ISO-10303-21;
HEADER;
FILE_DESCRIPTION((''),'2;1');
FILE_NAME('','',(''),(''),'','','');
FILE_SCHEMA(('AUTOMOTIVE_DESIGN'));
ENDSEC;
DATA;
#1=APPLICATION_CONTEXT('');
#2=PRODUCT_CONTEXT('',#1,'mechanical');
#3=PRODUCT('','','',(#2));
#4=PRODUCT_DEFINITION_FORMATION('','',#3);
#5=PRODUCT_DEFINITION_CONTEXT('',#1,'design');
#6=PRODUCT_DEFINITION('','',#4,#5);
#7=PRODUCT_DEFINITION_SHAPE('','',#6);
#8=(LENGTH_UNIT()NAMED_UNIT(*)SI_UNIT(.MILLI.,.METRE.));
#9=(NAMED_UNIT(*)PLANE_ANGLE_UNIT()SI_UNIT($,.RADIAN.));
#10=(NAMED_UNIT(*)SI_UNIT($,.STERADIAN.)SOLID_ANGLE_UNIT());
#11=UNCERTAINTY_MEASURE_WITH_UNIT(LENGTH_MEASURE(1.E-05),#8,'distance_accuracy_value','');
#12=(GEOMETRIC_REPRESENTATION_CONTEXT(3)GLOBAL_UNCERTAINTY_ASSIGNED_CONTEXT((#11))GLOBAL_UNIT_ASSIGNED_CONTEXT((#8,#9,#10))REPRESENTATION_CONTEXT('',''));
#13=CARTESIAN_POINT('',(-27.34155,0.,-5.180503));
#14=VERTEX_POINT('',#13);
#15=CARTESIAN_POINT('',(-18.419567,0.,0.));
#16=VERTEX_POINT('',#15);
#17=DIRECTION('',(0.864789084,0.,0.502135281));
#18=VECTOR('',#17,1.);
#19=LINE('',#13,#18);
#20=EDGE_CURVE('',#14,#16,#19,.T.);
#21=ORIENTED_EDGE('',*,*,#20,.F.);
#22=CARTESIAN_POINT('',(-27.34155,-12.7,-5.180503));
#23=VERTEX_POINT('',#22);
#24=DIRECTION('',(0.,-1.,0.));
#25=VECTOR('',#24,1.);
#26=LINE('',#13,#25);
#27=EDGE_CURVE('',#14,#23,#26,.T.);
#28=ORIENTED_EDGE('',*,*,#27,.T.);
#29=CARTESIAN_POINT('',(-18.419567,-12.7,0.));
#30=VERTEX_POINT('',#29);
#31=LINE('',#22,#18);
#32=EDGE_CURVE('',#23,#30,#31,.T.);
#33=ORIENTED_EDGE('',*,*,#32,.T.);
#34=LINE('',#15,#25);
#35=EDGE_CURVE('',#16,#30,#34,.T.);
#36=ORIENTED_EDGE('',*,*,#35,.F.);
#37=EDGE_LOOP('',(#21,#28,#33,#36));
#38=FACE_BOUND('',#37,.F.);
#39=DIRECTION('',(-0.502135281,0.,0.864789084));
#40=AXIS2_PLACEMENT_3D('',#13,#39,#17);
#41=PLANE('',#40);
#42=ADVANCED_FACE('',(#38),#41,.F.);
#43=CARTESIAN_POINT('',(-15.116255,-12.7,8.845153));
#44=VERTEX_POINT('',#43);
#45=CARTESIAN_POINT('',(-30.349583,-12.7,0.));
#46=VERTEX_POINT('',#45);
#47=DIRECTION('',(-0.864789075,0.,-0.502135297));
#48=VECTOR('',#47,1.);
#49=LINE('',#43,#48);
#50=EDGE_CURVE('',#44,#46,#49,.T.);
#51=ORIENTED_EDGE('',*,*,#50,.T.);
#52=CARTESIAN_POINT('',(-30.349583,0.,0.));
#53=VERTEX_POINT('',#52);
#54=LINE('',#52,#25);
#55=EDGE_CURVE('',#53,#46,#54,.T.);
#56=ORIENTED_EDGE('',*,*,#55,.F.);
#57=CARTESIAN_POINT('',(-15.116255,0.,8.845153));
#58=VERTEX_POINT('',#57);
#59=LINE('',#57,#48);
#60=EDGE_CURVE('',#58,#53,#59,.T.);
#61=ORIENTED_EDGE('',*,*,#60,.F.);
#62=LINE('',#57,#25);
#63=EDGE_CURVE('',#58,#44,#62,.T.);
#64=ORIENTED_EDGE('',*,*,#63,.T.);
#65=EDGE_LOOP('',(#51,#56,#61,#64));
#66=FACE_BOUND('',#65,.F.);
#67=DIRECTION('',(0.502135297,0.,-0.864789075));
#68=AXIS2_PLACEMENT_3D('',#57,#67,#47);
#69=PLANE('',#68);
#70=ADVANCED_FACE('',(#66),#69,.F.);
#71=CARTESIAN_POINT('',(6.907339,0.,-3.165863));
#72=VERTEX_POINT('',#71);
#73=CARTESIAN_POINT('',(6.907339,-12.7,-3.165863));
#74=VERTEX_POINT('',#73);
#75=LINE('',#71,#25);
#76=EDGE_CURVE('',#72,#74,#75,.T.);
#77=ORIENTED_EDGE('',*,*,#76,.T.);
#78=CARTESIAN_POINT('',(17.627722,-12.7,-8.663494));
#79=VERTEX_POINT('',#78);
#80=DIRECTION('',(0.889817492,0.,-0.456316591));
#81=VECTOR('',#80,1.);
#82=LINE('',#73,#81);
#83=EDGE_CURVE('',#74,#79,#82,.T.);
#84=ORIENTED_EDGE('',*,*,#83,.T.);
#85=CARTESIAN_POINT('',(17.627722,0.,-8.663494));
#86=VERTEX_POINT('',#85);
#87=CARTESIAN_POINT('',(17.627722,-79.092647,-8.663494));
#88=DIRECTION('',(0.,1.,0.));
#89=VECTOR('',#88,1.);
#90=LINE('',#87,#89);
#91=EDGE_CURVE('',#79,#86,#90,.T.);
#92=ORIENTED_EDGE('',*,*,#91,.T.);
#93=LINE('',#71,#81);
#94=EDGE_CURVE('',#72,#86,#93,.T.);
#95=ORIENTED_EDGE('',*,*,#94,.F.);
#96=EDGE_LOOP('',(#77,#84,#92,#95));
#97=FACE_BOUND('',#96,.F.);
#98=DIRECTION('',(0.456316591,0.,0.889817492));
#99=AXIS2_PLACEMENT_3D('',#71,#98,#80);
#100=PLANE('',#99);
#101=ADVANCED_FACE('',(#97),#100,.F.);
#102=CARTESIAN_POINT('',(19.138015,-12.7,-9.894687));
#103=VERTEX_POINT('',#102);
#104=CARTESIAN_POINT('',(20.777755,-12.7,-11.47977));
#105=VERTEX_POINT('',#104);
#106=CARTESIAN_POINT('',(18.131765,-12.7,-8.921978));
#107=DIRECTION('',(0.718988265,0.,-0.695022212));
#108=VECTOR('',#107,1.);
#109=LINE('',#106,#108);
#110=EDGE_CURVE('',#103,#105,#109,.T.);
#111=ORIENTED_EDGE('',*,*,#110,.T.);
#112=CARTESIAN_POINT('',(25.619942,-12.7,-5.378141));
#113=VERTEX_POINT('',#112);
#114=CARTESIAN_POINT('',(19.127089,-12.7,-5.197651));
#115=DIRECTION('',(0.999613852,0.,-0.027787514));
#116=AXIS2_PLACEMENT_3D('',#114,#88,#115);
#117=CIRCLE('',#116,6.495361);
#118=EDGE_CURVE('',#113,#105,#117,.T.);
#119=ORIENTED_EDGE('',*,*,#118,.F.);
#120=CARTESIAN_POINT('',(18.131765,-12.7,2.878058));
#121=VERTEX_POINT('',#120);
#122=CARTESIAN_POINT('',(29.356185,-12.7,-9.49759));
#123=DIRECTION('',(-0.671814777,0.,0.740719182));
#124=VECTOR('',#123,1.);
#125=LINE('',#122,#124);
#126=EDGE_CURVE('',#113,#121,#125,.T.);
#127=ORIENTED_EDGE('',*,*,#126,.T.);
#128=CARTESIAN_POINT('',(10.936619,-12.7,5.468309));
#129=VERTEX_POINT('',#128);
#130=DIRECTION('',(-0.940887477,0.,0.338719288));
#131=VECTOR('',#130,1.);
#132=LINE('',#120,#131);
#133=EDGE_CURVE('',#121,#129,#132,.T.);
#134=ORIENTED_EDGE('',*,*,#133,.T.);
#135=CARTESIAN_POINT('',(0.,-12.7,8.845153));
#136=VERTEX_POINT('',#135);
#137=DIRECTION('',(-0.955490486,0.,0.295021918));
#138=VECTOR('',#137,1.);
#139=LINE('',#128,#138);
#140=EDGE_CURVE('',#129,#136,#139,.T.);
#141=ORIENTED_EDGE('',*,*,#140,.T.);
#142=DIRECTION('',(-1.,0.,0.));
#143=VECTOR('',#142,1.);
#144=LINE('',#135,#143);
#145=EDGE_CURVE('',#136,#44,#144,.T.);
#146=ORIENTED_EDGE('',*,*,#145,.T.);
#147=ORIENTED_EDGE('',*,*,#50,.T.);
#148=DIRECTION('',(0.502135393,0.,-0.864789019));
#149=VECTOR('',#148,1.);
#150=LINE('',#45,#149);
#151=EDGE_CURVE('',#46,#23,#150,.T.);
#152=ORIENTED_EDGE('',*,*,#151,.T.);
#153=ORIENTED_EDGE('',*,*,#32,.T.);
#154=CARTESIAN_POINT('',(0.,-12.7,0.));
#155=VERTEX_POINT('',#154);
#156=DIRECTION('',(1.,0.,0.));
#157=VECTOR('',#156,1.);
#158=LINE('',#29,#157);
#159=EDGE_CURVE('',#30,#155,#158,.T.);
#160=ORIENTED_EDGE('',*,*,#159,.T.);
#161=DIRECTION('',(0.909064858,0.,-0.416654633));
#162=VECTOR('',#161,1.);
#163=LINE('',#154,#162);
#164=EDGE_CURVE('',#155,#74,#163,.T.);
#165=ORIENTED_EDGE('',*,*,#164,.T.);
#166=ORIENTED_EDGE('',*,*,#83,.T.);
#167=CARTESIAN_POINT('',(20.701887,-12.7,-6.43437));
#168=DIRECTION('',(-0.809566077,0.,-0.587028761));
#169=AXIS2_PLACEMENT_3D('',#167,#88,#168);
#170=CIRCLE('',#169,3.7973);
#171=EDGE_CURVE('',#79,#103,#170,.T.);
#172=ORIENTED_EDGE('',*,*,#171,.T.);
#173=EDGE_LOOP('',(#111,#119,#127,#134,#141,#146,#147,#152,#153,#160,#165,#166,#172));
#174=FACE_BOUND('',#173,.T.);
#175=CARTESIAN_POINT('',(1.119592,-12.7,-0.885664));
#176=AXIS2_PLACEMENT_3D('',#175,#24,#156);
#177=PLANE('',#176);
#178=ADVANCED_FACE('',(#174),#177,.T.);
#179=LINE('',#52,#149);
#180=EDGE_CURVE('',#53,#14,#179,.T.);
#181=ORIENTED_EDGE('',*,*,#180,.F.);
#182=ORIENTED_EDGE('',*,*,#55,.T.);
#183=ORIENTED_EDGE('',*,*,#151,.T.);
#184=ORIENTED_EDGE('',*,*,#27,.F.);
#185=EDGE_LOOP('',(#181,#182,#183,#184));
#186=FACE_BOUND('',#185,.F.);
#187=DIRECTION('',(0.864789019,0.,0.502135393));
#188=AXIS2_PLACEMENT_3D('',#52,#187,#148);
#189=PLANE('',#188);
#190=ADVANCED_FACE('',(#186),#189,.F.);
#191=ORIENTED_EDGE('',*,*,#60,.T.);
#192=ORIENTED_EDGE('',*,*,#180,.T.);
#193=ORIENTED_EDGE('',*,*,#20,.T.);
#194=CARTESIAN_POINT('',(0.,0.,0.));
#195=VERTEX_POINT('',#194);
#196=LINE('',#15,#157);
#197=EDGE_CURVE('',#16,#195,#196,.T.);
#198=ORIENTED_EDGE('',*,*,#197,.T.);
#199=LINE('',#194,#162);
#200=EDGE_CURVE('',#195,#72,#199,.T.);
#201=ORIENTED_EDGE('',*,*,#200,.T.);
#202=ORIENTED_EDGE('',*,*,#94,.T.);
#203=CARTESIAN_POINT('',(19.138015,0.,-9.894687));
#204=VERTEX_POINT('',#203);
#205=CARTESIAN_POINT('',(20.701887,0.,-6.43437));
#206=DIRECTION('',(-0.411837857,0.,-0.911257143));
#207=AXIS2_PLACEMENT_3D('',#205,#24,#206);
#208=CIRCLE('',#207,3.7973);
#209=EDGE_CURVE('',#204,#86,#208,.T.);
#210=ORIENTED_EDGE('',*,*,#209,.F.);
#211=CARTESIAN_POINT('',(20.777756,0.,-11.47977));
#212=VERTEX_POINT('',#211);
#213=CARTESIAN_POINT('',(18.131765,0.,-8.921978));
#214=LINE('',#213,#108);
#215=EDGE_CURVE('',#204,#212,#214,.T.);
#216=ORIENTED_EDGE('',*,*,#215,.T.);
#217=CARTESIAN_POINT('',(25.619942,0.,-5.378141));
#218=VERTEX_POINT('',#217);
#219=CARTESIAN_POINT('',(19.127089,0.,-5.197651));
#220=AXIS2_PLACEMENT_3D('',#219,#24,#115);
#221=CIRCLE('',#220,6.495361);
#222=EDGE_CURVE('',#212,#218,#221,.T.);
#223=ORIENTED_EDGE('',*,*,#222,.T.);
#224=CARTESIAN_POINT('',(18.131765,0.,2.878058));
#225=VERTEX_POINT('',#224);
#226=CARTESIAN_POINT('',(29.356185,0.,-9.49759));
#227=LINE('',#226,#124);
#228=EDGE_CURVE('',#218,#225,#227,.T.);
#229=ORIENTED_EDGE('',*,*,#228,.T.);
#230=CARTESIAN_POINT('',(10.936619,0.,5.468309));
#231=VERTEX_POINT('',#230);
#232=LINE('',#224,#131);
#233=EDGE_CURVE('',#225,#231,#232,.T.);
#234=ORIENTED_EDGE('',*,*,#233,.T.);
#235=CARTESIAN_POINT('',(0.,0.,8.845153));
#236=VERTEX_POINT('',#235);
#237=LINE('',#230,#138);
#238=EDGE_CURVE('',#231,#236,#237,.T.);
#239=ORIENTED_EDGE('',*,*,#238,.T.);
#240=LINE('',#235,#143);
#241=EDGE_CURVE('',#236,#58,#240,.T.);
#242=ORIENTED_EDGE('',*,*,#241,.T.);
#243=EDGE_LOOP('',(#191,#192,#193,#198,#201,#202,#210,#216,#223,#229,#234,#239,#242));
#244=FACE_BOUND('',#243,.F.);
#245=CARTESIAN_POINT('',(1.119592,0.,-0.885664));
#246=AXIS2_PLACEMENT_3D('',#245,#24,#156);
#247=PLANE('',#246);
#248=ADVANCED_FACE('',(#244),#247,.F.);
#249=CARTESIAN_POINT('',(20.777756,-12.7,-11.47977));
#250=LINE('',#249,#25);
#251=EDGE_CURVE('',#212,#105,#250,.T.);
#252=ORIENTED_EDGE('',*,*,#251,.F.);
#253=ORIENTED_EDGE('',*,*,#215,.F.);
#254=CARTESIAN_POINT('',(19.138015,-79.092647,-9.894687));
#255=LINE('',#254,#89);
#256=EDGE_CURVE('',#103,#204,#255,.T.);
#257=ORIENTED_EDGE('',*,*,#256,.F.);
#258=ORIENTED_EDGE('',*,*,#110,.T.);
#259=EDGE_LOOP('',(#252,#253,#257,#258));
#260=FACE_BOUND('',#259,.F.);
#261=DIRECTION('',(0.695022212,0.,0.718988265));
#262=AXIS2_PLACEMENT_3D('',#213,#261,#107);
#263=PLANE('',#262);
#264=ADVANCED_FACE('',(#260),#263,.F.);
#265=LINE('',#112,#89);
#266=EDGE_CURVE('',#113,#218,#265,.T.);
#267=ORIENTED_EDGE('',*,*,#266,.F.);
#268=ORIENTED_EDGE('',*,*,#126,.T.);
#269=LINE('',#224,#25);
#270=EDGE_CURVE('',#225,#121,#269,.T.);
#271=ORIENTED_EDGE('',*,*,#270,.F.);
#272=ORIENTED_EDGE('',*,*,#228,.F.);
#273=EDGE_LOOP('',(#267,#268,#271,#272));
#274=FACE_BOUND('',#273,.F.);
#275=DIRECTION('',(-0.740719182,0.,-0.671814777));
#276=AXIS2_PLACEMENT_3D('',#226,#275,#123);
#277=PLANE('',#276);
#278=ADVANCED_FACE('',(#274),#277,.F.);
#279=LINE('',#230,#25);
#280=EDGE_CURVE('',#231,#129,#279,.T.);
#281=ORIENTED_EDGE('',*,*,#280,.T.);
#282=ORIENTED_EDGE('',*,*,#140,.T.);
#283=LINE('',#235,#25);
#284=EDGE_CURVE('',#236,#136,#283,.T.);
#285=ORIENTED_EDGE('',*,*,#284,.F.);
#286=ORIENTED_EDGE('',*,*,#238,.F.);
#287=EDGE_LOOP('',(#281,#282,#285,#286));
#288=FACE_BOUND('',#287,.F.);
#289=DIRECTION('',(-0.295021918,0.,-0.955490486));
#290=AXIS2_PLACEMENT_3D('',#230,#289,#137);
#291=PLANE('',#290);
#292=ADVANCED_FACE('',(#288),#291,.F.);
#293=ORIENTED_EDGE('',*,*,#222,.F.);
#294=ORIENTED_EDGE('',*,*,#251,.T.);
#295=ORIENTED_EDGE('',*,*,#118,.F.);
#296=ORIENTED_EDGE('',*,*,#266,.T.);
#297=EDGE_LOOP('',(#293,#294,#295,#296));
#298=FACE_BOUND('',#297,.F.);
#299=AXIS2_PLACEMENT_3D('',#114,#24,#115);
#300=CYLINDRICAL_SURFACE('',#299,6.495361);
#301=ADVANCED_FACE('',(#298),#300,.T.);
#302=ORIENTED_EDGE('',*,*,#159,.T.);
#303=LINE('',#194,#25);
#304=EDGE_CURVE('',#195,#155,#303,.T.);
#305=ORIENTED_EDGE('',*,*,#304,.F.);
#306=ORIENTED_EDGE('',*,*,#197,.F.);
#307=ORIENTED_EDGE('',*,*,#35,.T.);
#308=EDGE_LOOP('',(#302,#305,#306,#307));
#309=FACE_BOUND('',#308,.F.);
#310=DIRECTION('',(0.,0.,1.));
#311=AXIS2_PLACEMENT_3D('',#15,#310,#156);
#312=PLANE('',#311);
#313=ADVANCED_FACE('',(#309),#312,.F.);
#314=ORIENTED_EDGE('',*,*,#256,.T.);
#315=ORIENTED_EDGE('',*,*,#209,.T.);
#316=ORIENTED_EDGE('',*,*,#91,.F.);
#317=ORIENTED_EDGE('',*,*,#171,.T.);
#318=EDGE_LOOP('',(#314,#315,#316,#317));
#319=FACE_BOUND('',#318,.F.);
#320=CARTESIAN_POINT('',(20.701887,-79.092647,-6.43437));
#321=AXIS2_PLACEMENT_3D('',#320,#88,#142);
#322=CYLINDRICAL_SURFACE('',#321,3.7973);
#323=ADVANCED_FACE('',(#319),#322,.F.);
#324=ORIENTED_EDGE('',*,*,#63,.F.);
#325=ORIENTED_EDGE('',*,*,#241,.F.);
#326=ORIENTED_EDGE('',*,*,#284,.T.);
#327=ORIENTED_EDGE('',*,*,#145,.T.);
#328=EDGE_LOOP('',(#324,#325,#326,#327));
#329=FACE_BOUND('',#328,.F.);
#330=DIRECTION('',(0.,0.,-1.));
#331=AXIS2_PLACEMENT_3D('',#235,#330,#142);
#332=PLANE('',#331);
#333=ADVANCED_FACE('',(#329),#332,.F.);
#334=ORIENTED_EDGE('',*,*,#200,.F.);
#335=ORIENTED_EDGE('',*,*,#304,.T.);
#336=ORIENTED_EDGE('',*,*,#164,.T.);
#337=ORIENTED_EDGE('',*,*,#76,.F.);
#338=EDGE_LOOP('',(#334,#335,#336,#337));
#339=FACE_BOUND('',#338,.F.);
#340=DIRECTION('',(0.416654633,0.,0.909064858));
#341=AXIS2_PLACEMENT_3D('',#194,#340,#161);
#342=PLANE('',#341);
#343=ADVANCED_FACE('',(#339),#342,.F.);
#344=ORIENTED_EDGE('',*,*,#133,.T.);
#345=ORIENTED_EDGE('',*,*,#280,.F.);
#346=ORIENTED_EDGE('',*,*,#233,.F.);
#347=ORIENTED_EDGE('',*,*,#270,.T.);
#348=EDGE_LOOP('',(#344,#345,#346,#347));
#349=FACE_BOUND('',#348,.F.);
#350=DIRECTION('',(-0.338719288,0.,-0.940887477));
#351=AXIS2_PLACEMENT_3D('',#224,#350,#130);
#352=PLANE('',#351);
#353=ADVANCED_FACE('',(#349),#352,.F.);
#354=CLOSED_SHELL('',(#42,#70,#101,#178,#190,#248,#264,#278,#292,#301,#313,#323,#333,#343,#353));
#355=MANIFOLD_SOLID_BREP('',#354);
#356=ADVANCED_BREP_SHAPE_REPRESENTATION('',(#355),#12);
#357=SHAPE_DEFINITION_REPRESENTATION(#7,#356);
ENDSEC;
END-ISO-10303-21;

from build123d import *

# Parameters (mm, degrees)
F1_DEPTH = 12.7
F3_D     = 7.5946
F5_DEPTH = 25.4


with BuildPart() as f1:
    # F0 (on Front) → F1 (new body)
    with BuildSketch(Plane.XZ):
        Polygon((-18.419567, 0), (0, 0), (6.907339, -3.165863), (18.131765, -8.921978), (26.765935, -17.268345), (29.356185, -9.49759), (18.131765, 2.878058), (10.936619, 5.468309), (0, 8.845153), (-15.116255, 8.845153), (-30.349583, 0), (-27.34155, -5.180503), align=None)
    extrude(amount=F1_DEPTH)

    # F3 (through all)
    with Locations(Plane.XZ.offset(12.7)):
        with Locations((20.701887, -6.43437)):
            Hole(F3_D / 2)

    # F4 (on face) → F5 (cut)
    with BuildSketch(Plane.XZ.offset(12.7)):
        with BuildLine():
            ThreePointArc((25.619942, -5.378141), (24.214986, -9.235351), (20.777755, -11.47977))
            Line((20.777755, -11.47977), (26.765935, -17.268345))
            Line((26.765935, -17.268345), (29.356185, -9.49759))
            Line((29.356185, -9.49759), (25.619942, -5.378141))
        make_face()
    extrude(amount=-F5_DEPTH, mode=Mode.SUBTRACT)


solid = f1.part
